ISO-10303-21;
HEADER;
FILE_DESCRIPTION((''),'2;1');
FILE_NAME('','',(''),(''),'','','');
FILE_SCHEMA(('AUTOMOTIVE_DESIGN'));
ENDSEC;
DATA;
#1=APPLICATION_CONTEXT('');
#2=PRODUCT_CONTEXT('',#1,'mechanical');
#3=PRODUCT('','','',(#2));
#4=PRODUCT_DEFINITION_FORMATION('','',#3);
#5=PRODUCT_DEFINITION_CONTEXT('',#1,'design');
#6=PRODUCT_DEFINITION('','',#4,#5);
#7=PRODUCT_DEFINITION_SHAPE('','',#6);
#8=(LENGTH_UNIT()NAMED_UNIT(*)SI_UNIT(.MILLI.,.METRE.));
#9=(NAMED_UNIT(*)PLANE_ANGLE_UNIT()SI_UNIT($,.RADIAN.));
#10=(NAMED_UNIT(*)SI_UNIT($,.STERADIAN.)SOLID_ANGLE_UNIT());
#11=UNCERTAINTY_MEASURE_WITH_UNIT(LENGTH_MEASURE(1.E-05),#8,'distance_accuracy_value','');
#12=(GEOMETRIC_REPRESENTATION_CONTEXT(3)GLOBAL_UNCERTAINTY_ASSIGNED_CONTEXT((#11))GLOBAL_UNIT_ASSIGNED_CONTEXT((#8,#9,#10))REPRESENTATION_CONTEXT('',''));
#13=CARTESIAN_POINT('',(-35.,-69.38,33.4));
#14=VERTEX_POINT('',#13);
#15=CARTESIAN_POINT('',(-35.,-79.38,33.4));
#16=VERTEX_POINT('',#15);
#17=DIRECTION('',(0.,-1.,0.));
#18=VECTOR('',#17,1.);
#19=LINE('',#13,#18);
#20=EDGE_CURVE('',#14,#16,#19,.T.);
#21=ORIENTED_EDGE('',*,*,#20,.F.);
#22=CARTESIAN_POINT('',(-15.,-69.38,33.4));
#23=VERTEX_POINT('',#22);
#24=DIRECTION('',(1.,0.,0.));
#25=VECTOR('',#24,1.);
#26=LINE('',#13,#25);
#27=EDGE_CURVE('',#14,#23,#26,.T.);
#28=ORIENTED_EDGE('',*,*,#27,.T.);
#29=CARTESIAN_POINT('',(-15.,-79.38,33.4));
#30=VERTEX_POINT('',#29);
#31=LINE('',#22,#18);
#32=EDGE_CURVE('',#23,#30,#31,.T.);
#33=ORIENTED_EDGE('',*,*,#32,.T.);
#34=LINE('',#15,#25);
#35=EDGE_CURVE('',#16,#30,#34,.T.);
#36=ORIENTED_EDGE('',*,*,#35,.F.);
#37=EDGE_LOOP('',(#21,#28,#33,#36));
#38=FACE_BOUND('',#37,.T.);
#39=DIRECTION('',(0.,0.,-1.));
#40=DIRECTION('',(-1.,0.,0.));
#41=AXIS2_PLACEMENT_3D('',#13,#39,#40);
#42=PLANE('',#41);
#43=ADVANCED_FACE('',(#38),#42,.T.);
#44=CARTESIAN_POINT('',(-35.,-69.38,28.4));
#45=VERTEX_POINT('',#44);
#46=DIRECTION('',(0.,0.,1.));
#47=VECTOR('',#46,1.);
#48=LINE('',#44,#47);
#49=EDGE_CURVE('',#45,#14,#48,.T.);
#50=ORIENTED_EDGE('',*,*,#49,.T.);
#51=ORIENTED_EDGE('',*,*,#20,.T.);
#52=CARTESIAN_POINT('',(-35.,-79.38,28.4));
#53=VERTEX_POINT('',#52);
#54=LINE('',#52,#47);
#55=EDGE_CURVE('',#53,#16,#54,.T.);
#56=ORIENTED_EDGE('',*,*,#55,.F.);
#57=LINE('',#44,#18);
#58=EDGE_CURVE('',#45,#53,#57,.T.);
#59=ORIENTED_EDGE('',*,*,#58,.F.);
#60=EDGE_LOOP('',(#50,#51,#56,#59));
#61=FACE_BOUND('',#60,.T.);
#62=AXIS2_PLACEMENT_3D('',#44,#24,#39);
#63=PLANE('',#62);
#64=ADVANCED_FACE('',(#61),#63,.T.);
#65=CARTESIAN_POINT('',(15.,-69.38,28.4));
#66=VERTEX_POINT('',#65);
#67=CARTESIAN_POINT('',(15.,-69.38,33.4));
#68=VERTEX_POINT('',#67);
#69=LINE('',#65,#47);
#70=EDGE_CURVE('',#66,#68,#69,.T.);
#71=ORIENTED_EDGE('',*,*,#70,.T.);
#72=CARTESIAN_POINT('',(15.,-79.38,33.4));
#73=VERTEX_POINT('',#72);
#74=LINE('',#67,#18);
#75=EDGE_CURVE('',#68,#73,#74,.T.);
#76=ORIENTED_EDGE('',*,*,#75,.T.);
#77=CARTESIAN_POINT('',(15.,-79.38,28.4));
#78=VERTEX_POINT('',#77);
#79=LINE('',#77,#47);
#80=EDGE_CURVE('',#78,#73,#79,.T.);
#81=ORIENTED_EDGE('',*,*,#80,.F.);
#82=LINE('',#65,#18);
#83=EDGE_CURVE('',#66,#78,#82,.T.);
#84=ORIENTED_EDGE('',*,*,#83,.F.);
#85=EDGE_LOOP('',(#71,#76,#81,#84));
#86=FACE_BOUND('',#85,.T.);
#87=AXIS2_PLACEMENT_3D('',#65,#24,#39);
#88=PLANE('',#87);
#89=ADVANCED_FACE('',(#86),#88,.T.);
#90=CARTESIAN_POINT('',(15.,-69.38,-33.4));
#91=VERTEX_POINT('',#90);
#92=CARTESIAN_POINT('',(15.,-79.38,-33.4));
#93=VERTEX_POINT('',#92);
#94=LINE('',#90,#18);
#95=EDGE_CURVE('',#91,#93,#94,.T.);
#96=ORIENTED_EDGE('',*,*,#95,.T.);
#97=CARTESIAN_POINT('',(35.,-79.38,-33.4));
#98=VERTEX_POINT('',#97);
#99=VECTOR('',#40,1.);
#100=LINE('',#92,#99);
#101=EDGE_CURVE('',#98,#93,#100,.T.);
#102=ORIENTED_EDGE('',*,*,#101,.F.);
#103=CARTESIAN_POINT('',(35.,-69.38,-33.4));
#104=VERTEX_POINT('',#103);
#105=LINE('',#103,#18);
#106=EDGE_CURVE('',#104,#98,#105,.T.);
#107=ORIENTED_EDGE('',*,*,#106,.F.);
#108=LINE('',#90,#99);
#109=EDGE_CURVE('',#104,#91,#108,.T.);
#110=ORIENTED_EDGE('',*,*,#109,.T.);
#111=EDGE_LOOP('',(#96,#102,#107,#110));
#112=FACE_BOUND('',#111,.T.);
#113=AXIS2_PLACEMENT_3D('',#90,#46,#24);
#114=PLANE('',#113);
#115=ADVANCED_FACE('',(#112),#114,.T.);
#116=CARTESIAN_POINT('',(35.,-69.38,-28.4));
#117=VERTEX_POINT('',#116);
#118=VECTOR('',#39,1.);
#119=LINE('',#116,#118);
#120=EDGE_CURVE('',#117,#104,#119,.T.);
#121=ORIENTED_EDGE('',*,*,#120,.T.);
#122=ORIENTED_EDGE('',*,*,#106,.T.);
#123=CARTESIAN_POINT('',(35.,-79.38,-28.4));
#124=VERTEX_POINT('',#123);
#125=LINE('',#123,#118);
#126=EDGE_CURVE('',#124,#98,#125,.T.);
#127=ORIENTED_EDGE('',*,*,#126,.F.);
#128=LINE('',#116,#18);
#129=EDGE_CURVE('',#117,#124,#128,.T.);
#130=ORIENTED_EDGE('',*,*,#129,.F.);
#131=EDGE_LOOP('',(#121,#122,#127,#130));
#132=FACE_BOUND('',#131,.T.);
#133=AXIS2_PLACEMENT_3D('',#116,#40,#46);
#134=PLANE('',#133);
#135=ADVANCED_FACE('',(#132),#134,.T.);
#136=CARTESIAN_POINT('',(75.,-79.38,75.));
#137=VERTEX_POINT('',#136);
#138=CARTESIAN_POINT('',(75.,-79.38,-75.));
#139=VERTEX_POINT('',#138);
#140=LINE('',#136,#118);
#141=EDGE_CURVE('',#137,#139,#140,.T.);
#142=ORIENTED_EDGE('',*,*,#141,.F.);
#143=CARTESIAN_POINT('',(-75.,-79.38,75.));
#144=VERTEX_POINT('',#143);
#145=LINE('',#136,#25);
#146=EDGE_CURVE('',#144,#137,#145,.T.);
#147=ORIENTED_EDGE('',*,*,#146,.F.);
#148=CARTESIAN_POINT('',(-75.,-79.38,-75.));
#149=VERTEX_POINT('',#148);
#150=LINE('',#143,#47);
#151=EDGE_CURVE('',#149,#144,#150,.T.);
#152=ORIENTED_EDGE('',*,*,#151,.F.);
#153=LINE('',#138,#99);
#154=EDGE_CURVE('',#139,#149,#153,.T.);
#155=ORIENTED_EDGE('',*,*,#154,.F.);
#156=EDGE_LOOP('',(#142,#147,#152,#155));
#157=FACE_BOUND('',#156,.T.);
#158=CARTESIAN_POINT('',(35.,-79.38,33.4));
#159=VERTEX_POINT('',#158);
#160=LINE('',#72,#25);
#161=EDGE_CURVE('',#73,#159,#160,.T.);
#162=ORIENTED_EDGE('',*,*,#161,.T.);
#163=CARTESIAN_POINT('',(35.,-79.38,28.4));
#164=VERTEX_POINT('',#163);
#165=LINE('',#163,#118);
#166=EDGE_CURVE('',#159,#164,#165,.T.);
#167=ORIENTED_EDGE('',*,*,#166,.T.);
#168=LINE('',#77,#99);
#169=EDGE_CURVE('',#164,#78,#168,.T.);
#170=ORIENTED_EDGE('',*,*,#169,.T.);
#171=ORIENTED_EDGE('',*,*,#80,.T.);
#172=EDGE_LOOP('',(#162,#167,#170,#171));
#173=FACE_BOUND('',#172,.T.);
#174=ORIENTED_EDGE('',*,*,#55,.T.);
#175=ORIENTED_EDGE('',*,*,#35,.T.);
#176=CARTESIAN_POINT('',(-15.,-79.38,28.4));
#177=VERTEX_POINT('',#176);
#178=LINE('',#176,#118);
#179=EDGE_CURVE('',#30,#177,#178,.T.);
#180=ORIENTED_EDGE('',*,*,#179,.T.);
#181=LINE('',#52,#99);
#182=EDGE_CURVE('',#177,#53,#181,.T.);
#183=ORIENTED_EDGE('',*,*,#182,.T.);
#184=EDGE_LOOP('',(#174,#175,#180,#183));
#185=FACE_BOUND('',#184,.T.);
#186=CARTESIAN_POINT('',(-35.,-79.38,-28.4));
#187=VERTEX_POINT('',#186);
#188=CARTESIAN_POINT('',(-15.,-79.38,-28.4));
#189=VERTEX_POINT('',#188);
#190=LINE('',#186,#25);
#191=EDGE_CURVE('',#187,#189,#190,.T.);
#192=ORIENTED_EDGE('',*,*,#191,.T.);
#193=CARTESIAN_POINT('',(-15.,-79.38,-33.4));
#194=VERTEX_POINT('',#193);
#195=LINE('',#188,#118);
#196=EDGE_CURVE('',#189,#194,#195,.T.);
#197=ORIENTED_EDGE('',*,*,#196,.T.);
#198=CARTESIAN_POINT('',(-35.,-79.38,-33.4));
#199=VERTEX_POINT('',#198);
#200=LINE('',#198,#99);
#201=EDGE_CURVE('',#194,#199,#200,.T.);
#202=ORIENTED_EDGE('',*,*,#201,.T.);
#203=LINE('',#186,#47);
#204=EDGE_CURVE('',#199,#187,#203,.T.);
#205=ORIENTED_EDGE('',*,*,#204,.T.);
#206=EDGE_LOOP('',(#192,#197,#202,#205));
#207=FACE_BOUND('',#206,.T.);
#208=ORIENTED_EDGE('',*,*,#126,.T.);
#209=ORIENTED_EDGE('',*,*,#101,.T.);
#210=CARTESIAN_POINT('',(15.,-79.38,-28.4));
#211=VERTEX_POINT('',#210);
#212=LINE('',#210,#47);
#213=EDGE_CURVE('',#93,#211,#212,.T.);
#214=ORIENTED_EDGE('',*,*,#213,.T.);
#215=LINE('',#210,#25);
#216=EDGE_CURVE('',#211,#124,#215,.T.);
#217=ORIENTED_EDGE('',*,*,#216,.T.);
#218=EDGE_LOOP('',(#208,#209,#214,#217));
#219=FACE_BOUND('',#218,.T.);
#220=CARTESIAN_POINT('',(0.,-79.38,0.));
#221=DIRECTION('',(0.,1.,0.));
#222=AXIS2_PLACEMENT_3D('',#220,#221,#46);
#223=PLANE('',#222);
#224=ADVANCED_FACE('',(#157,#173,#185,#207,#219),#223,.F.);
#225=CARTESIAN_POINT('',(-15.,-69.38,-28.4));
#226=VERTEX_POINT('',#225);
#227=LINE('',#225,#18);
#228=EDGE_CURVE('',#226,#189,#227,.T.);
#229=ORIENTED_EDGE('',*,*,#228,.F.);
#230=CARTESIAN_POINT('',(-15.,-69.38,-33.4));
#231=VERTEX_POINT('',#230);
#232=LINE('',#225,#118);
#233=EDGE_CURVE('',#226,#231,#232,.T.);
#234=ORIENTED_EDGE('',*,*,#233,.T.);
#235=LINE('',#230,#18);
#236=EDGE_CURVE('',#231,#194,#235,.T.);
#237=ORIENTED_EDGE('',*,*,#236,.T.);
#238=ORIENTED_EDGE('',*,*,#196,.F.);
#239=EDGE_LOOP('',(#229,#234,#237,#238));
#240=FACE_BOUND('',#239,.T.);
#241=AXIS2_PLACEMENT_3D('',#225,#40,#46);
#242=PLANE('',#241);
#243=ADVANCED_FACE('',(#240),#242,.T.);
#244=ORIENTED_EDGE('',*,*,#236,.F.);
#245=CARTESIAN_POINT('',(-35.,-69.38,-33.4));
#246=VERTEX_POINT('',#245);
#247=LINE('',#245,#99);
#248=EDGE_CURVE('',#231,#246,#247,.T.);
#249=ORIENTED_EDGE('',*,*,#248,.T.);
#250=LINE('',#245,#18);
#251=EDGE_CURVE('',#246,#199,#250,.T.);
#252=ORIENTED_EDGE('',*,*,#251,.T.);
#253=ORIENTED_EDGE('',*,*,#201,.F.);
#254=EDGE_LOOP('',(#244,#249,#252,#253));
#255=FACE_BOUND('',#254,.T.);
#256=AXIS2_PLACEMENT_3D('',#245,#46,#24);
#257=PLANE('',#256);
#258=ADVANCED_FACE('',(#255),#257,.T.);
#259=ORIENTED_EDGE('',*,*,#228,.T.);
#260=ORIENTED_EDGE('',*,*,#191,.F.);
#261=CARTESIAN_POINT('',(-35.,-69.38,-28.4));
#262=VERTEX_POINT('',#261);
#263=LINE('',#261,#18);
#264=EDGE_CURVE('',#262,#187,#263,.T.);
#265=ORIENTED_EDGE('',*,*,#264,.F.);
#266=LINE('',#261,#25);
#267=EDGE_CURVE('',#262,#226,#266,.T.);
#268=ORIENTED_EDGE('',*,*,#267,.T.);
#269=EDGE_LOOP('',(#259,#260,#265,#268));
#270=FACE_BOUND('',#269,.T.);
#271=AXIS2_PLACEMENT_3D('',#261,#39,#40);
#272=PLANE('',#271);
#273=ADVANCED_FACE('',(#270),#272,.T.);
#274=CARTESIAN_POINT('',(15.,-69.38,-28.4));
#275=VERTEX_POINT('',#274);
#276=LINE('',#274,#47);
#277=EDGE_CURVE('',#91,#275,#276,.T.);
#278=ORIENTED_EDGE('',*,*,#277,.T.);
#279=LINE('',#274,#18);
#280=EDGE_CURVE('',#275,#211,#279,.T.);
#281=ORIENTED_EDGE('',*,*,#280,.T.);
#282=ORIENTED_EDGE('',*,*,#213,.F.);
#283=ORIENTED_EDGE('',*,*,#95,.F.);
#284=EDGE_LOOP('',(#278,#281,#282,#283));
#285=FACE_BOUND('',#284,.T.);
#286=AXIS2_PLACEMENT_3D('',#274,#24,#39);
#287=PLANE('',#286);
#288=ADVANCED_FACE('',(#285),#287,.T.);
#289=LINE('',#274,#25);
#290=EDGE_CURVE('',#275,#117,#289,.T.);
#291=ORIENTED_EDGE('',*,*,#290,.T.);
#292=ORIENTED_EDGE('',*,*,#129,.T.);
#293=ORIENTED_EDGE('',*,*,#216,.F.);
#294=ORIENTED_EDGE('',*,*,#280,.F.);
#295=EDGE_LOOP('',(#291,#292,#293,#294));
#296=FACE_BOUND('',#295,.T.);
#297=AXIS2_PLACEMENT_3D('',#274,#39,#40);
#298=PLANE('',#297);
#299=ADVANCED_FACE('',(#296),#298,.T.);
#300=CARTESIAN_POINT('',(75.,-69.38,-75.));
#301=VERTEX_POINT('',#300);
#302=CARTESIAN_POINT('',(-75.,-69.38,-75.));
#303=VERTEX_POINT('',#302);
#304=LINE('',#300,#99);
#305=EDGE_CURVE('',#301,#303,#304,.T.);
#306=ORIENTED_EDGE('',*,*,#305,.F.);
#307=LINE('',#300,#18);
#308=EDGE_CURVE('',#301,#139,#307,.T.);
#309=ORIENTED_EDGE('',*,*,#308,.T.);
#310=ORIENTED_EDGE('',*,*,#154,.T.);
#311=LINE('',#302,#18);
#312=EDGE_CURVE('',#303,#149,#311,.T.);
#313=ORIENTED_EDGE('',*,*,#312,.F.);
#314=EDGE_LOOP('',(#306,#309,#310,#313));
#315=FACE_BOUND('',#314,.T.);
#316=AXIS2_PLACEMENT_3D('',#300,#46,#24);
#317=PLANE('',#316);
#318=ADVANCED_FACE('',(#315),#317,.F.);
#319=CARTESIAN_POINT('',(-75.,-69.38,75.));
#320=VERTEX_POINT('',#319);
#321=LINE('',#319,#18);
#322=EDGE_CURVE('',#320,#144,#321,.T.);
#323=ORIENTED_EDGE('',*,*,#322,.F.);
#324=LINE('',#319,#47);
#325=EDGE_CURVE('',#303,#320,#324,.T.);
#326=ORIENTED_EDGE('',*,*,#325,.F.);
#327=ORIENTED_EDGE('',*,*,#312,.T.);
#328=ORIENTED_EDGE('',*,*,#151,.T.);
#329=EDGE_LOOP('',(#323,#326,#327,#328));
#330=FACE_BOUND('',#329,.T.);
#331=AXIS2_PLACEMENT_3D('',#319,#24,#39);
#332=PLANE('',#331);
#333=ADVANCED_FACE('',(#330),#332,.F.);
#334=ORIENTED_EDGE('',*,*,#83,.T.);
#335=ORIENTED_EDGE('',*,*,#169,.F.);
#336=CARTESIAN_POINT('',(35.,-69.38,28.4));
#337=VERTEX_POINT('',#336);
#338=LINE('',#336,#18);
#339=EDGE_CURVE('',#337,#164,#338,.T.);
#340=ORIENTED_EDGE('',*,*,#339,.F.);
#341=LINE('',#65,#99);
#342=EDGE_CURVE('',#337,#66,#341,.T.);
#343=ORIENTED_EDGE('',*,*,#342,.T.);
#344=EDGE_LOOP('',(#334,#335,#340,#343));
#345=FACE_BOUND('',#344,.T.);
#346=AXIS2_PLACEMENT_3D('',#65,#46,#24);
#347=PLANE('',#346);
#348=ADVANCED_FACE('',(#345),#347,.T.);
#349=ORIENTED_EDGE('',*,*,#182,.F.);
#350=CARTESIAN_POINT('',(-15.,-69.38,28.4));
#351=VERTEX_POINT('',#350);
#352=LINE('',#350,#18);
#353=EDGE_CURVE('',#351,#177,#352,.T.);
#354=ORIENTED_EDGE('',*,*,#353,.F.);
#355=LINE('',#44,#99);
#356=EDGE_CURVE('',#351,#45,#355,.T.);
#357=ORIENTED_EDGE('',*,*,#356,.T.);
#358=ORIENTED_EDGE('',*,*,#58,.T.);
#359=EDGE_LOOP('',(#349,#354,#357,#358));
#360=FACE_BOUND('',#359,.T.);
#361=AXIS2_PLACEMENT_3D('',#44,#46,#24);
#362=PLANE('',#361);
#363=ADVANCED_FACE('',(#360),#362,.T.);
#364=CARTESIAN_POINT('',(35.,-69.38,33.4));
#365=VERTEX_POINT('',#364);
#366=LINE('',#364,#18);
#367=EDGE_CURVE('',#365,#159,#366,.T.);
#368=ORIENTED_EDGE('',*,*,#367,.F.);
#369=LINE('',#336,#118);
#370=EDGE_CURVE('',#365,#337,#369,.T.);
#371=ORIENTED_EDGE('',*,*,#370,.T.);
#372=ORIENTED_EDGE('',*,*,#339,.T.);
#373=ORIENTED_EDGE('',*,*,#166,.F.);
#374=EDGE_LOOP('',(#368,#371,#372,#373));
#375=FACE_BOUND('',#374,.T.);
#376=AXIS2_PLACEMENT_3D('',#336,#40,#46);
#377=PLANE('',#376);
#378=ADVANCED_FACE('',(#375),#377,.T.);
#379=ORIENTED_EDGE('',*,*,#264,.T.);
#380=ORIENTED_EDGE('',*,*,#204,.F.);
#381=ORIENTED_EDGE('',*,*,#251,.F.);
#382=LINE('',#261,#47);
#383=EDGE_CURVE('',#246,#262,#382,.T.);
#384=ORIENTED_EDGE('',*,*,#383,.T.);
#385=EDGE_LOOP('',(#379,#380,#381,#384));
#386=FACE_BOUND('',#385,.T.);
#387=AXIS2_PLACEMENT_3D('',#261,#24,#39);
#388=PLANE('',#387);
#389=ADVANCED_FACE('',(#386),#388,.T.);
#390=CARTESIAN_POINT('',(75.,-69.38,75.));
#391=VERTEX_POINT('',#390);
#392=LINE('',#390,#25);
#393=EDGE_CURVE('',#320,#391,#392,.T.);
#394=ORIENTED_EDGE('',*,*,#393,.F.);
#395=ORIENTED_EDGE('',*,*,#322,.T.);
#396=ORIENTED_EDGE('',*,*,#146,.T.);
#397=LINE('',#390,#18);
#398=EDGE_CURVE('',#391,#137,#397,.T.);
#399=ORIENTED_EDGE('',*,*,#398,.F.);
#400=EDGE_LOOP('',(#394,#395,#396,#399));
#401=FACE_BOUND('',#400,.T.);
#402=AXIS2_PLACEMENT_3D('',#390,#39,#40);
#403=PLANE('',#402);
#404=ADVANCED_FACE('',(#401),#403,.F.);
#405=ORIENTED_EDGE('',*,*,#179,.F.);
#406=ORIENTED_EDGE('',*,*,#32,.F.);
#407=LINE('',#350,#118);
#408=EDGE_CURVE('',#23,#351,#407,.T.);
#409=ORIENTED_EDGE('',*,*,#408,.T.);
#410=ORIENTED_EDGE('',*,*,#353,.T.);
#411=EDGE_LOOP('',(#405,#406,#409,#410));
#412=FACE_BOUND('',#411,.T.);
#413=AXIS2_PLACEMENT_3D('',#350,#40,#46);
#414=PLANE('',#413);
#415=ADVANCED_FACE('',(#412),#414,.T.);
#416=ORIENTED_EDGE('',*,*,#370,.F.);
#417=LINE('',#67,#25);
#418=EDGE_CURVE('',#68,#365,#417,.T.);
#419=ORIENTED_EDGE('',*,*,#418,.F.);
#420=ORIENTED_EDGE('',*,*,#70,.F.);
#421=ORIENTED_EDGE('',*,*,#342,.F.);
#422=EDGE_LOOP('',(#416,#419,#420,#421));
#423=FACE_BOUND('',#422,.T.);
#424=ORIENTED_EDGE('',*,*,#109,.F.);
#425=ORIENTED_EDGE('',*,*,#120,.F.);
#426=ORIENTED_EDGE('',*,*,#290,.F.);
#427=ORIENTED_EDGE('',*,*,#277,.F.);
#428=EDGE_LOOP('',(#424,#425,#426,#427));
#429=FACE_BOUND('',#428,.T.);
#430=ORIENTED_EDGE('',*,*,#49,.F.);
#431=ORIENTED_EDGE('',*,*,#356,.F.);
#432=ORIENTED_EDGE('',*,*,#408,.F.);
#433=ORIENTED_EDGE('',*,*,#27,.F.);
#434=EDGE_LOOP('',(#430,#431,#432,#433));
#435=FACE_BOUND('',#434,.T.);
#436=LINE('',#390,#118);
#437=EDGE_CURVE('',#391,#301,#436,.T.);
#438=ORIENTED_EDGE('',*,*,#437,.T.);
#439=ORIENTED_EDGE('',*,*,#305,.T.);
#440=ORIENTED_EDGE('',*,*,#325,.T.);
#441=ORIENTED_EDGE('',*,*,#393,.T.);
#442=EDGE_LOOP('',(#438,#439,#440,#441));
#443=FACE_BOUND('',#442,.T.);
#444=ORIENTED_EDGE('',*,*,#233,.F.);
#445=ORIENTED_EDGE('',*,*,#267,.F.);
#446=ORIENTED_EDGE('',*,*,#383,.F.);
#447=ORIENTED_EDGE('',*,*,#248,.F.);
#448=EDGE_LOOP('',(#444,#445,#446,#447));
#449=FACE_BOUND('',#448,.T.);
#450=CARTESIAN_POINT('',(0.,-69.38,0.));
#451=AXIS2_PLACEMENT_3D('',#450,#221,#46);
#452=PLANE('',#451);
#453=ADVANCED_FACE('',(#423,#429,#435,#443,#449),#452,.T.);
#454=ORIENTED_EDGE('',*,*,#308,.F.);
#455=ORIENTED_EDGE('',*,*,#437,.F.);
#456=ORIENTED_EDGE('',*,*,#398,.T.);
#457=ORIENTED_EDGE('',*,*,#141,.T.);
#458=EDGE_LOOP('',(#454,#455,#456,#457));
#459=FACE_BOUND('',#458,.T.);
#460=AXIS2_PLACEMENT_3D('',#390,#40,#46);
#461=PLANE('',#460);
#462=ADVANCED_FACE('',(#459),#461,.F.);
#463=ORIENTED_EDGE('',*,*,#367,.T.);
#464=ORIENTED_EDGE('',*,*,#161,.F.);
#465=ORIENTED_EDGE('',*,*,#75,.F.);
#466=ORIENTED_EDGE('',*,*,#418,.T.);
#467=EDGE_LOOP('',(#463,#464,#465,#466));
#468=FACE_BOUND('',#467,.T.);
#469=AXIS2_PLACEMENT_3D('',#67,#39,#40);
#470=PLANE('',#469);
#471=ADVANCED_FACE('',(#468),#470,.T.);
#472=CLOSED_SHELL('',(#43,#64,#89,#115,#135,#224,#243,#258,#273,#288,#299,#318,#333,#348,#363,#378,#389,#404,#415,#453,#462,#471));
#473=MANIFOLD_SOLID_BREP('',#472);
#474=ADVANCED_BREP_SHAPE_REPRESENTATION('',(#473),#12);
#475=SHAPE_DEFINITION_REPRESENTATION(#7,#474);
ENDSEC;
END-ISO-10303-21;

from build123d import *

# Parameters (mm, degrees)
SKETCH15_W          = 150
SKETCH15_H          = 150
SKETCH15_W_2        = 20
SKETCH15_H_2        = 5
BOSS_EXTRUDE1_DEPTH = 5


with BuildPart() as part:
    # Sketch15 → Boss-Extrude1 (new, symmetric)
    with BuildSketch(Plane(origin=(0, 0, 0), x_dir=(1, 0, 0), z_dir=(0, 1, 0))):
        Rectangle(SKETCH15_W, SKETCH15_H)
        with Locations((-25, -30.9)):
            Rectangle(SKETCH15_W_2, SKETCH15_H_2, mode=Mode.SUBTRACT)
        with Locations((25, -30.9)):
            Rectangle(SKETCH15_W_2, SKETCH15_H_2, mode=Mode.SUBTRACT)
        with Locations((25, 30.9)):
            Rectangle(SKETCH15_W_2, SKETCH15_H_2, mode=Mode.SUBTRACT)
        with Locations((-25, 30.9)):
            Rectangle(SKETCH15_W_2, SKETCH15_H_2, mode=Mode.SUBTRACT)
    extrude(amount=BOSS_EXTRUDE1_DEPTH, both=True)


with BuildPart() as part_1:
    # Body-Move/Copy1: moved
    add(part.part.moved(Location((0, -74.38, 0))))


solid = part_1.part
